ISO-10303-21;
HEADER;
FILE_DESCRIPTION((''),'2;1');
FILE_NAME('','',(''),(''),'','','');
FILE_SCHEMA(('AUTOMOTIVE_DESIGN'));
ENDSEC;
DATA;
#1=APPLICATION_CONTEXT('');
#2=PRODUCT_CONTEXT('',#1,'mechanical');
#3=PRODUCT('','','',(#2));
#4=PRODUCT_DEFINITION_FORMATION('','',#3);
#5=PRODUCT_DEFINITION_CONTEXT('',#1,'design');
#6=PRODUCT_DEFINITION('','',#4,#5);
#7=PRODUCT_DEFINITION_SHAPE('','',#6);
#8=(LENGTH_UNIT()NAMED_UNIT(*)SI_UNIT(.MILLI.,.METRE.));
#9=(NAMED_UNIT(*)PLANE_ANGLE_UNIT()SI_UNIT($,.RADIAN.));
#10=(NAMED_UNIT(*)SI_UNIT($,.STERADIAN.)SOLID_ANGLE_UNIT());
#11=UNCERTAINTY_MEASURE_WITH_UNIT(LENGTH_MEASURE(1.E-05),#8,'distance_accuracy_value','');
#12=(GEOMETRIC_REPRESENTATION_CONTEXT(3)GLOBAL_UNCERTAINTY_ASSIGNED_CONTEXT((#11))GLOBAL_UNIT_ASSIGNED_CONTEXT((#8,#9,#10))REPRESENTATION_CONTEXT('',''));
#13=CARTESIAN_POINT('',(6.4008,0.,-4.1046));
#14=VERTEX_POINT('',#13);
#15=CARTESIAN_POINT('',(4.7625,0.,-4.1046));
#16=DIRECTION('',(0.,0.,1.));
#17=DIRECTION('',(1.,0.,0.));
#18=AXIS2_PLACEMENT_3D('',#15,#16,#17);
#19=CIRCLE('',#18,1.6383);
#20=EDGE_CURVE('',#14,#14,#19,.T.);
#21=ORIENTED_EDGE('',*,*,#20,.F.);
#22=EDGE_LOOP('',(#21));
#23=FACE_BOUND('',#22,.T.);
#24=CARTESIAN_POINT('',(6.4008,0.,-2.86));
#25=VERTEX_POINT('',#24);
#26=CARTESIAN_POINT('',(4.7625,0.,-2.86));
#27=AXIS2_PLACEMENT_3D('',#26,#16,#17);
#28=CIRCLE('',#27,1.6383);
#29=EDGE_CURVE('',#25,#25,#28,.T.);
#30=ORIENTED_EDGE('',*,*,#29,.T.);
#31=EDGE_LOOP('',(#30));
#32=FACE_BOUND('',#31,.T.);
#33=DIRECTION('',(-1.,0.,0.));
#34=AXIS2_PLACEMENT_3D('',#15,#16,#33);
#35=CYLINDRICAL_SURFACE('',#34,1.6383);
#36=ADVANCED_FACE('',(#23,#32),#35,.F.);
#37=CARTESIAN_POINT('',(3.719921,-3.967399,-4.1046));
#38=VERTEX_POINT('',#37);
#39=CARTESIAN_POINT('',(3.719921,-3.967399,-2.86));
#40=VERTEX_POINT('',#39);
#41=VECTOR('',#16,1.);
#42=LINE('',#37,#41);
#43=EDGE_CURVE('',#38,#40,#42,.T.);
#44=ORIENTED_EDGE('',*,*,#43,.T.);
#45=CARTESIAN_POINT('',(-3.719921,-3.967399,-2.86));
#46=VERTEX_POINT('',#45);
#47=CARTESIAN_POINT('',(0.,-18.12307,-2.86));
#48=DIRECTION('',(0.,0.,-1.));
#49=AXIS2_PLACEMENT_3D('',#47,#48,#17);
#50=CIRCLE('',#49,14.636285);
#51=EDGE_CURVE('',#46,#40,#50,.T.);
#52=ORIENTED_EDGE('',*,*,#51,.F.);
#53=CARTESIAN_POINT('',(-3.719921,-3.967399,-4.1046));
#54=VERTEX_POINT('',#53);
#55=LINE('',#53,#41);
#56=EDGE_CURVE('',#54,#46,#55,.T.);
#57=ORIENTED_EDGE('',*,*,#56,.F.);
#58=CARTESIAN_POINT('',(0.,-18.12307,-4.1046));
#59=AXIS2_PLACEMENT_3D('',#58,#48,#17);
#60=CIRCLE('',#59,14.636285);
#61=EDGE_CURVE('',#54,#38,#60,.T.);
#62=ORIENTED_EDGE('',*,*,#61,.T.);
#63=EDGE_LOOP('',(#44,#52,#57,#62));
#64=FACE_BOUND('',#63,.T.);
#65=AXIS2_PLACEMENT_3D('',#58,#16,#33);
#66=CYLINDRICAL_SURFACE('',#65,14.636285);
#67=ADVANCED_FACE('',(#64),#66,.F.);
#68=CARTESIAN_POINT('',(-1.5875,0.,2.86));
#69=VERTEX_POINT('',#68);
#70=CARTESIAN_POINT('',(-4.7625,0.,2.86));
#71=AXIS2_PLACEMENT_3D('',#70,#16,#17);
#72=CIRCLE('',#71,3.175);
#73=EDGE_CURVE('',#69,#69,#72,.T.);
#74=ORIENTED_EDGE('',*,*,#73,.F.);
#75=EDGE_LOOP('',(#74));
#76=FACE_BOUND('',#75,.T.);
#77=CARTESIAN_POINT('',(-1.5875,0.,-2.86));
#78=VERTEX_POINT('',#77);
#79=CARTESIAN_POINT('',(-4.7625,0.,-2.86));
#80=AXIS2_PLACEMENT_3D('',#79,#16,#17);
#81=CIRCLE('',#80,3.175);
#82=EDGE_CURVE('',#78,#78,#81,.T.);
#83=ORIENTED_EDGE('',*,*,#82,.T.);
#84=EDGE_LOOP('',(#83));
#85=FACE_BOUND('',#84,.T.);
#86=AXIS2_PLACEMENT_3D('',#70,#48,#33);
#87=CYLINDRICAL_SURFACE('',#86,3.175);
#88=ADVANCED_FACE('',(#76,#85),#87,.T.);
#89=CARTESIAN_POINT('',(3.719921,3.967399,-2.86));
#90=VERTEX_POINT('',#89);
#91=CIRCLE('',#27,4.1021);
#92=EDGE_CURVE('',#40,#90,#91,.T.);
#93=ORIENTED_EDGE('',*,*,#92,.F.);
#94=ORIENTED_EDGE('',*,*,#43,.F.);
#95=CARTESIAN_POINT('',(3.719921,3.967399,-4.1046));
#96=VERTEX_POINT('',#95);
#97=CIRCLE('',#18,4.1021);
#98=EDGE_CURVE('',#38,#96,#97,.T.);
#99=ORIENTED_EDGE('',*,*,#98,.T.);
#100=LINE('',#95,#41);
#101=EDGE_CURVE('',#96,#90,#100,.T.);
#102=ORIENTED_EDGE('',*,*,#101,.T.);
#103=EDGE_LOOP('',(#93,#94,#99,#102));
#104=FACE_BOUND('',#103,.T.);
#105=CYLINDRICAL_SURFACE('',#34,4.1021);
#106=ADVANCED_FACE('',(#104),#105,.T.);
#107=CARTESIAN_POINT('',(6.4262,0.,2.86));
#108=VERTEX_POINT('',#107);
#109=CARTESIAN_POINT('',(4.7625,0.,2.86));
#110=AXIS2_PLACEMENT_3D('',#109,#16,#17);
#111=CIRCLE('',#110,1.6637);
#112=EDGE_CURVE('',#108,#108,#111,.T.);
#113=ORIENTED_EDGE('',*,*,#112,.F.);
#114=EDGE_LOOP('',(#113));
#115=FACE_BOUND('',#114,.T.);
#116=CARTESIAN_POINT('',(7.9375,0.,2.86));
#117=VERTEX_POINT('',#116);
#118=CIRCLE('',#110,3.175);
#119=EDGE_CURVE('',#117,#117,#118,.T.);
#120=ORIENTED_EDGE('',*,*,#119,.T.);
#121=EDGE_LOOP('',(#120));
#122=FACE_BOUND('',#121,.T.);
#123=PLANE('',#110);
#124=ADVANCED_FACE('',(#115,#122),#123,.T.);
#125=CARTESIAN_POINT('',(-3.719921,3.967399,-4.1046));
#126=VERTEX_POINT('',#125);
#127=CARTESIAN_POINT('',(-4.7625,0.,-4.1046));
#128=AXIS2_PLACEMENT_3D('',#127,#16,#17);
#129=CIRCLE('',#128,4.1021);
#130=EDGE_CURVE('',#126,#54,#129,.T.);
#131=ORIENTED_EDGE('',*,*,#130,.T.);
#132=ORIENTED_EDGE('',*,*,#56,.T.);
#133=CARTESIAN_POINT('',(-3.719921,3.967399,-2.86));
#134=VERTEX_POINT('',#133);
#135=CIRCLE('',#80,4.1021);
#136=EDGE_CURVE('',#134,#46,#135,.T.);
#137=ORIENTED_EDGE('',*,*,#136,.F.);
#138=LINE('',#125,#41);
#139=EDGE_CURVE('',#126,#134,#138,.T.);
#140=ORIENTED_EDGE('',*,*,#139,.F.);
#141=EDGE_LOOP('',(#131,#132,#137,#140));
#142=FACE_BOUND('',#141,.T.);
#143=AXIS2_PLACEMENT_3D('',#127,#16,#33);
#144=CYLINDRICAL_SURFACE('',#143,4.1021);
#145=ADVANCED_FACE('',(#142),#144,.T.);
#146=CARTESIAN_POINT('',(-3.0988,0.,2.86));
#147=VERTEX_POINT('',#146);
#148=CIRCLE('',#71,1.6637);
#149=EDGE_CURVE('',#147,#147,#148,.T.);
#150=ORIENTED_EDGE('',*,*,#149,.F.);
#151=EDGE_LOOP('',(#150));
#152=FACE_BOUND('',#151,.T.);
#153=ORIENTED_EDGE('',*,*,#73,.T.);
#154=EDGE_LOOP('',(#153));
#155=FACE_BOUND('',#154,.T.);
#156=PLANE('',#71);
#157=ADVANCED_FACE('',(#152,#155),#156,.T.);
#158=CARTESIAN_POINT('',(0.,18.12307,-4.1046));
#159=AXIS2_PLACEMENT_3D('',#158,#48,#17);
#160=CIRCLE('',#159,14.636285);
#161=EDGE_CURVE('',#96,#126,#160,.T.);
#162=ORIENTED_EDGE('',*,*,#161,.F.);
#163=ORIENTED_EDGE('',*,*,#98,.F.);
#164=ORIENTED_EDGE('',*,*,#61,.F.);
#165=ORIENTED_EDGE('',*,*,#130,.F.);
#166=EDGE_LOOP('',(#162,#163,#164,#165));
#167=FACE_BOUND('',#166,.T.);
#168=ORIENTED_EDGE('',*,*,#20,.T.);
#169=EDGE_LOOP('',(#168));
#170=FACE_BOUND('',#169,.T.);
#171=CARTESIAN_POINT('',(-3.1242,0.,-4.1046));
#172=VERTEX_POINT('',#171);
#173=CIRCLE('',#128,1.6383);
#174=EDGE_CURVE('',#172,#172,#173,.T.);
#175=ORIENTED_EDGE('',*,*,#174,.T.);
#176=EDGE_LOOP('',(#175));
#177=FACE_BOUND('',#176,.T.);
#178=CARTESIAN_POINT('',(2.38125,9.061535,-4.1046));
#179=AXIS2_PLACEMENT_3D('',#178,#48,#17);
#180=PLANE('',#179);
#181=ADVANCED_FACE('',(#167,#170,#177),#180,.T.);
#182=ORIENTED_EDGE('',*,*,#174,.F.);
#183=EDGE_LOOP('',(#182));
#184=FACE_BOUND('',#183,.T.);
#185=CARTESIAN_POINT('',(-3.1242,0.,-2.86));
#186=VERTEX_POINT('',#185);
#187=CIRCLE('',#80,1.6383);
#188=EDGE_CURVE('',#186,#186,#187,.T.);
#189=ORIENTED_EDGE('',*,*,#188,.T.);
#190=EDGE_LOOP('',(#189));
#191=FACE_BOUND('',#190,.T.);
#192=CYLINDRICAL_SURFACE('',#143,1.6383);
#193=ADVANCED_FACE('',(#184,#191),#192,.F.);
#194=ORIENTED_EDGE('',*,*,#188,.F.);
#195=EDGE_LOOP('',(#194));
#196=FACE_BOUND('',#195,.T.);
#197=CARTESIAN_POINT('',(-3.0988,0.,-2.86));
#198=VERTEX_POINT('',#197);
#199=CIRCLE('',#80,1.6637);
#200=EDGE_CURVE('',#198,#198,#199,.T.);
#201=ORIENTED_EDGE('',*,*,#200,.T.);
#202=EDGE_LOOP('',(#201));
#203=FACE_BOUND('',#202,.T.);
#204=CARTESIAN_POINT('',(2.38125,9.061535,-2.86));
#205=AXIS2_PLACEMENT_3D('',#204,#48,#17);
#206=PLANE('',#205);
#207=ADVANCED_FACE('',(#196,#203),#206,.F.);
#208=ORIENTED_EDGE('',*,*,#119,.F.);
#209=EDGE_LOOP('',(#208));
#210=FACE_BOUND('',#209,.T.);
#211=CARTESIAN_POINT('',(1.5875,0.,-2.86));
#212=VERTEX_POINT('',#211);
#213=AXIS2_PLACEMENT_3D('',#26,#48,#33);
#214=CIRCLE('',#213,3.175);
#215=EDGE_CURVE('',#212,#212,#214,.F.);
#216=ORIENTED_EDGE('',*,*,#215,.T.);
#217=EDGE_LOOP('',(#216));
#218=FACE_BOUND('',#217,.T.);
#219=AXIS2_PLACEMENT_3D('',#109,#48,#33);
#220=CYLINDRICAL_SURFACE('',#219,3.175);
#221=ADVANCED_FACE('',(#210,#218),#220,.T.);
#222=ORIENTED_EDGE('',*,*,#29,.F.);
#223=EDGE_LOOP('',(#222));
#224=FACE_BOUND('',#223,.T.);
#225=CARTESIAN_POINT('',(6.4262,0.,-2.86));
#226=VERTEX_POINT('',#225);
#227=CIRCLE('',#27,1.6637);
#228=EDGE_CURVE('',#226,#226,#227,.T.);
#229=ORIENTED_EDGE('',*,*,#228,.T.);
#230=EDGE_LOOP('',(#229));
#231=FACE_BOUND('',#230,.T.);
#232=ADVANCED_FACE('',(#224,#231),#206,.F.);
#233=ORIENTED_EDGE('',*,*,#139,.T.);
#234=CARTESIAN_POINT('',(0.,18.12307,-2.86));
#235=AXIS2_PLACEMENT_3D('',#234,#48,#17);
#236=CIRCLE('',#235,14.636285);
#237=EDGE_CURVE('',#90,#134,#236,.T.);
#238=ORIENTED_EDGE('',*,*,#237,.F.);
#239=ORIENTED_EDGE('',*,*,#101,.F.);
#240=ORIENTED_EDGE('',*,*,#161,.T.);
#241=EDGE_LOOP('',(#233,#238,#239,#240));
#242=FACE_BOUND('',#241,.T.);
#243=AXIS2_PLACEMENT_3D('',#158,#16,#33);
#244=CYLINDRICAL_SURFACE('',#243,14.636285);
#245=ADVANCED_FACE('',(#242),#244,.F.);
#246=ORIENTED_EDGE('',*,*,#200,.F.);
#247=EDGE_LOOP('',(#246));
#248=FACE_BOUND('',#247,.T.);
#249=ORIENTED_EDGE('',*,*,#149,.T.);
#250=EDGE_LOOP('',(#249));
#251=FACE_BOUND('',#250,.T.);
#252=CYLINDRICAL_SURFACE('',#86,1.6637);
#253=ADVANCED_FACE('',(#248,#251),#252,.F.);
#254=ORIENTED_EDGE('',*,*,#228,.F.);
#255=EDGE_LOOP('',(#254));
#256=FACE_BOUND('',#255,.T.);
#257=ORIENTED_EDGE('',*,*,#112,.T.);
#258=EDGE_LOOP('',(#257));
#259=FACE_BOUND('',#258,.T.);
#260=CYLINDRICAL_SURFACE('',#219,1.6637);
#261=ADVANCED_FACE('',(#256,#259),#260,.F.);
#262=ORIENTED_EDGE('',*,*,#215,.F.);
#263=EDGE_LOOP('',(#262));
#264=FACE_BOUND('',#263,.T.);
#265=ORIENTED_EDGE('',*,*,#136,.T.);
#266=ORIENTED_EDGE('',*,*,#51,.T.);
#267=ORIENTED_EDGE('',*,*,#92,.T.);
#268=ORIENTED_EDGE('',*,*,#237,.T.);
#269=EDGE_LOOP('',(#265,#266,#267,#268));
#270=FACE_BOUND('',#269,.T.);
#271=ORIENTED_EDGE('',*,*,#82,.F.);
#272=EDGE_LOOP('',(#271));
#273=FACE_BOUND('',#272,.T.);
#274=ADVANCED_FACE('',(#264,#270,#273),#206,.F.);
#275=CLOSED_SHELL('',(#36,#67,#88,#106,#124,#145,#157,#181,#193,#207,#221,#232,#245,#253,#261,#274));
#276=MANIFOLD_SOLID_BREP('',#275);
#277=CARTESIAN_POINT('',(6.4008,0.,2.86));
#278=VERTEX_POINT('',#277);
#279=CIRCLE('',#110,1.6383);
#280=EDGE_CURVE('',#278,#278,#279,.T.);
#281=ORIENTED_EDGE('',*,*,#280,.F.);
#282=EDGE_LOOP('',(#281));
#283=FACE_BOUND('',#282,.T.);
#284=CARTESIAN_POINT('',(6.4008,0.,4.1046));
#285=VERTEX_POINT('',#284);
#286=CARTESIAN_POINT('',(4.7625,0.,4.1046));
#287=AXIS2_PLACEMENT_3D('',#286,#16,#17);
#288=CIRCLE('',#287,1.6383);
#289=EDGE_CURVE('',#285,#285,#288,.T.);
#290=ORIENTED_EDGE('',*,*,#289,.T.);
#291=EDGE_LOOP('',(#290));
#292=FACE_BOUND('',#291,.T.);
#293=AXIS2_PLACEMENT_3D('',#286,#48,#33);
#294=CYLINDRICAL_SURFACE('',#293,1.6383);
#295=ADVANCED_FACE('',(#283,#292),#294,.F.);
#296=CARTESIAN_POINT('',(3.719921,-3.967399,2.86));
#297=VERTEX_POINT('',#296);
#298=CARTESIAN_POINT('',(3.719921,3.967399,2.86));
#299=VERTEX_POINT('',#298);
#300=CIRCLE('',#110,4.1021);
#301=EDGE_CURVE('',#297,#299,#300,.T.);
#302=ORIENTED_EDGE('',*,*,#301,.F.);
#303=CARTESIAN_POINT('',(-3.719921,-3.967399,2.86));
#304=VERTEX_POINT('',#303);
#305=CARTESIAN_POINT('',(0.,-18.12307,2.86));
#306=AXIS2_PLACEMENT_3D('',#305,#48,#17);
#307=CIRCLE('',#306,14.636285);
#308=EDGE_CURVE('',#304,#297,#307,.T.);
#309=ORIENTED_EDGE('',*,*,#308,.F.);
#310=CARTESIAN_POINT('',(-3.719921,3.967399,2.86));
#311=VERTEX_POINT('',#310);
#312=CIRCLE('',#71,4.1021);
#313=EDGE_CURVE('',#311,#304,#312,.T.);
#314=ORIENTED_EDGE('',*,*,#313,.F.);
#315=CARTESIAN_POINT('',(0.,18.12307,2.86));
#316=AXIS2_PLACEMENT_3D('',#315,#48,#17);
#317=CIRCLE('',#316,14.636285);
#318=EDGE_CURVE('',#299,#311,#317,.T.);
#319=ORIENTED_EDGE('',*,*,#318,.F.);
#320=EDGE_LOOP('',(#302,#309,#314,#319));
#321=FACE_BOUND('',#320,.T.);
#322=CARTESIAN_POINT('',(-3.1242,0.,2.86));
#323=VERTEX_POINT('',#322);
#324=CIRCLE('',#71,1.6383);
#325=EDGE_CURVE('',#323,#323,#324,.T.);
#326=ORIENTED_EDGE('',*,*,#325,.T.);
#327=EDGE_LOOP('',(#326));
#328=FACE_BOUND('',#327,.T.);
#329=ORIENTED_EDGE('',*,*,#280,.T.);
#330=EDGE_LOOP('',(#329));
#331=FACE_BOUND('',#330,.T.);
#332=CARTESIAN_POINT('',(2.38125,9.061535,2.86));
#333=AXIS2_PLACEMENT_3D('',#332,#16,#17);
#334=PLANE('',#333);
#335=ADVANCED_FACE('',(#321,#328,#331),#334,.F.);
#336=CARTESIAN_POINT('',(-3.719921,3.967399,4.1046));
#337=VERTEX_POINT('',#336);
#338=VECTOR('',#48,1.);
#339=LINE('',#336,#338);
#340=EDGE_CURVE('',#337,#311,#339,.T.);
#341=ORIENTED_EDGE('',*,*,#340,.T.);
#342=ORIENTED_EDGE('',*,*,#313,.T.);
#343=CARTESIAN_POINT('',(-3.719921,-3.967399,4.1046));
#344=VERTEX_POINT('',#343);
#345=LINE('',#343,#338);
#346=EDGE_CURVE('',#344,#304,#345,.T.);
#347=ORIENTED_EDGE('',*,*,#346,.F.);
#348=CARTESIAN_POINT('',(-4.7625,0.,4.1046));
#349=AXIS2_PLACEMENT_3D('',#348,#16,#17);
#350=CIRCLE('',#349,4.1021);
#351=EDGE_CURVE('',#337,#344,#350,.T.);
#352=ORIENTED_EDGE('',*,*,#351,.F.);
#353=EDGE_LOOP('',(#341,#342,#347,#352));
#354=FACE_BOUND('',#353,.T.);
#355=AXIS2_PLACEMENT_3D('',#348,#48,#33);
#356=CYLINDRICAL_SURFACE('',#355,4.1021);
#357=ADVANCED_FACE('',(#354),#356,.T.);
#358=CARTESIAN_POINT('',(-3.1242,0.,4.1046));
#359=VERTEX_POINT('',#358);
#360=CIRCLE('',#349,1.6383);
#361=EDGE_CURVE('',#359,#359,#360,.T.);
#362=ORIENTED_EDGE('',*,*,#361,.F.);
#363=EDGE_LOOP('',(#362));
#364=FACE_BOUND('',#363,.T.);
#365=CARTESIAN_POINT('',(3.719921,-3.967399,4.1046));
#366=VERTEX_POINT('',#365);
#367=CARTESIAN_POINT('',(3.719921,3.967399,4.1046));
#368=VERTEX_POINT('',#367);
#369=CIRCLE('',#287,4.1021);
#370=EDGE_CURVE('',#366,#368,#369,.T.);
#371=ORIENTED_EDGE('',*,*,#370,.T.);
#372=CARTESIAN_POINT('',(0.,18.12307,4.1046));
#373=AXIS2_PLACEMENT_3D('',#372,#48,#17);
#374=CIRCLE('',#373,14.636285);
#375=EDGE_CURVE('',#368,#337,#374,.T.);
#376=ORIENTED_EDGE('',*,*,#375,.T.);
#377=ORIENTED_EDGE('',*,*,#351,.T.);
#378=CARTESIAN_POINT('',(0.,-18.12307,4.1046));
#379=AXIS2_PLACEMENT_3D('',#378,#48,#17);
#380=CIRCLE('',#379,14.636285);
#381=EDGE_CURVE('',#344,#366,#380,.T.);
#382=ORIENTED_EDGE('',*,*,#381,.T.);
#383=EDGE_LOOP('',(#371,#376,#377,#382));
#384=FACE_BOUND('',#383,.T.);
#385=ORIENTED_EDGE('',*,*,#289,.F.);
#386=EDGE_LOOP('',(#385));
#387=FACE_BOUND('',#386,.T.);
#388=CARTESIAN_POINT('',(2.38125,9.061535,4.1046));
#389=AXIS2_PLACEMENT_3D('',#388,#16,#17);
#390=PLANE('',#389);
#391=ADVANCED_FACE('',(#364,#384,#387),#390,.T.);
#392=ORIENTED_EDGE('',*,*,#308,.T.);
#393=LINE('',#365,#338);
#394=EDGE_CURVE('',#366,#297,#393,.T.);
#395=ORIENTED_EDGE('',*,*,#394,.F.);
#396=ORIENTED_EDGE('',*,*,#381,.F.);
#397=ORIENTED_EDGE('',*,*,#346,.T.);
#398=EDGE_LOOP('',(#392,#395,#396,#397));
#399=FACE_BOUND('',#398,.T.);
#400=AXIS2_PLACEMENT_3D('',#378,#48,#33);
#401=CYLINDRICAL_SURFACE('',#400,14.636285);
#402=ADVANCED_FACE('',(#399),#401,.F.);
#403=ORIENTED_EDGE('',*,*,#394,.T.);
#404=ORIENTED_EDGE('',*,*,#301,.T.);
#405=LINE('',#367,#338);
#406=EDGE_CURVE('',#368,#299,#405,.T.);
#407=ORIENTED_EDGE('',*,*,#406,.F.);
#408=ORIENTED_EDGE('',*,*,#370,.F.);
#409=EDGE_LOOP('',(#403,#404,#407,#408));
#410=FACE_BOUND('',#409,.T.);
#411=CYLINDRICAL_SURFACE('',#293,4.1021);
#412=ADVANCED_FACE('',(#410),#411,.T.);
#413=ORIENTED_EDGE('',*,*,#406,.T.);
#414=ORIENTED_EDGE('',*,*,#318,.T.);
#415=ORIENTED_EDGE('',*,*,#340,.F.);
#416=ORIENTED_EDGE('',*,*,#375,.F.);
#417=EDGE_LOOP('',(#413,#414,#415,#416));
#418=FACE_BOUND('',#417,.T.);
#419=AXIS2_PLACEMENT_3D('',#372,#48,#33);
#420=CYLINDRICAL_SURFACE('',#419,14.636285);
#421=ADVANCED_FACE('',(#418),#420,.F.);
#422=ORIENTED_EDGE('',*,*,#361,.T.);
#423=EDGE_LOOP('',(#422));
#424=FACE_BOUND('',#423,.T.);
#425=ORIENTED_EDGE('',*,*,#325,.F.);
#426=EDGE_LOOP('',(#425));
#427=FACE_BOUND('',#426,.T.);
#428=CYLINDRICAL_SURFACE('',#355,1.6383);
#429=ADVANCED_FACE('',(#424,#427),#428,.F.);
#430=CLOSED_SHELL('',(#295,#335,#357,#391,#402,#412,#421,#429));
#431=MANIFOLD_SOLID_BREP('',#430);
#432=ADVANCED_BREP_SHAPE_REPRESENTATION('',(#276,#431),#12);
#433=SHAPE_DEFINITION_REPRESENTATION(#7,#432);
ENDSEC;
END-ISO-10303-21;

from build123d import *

# Parameters (mm, degrees)
SKETCH4_R             = 3.175
SKETCH4_R_2           = 1.6637
BOSS_EXTRUDE1_DEPTH   = 2.86
BOSS_EXTRUDE1_2_DEPTH = 2.86
SKETCH5_R             = 1.6383
BOSS_EXTRUDE2_DEPTH   = 1.2446


with BuildPart() as part:
    # Sketch4 → Boss-Extrude1 (new, symmetric)
    with BuildSketch(Plane.XY):
        with Locations((-4.7625, 0)):
            Circle(SKETCH4_R)
        with Locations((-4.7625, 0)):
            Circle(SKETCH4_R_2, mode=Mode.SUBTRACT)
    extrude(amount=BOSS_EXTRUDE1_DEPTH, both=True)


with BuildPart() as body_2:
    # Sketch4 → Boss-Extrude1 2 (new, symmetric)
    with BuildSketch(Plane.XY):
        with Locations((4.7625, 0)):
            Circle(SKETCH4_R)
        with Locations((4.7625, 0)):
            Circle(SKETCH4_R_2, mode=Mode.SUBTRACT)
    extrude(amount=BOSS_EXTRUDE1_2_DEPTH, both=True)


with BuildPart() as body_3:
    # Sketch5 → Boss-Extrude2 (new body)
    with BuildSketch(Plane.XY.offset(2.86)):
        with BuildLine():
            ThreePointArc((-3.71992076, 3.967398762), (-8.8646, 0), (-3.71992076, -3.967398762))
            ThreePointArc((-3.71992076, -3.967398762), (0, -3.486785), (3.71992076, -3.967398762))
            ThreePointArc((3.71992076, -3.967398762), (8.8646, 0), (3.71992076, 3.967398762))
            ThreePointArc((3.71992076, 3.967398762), (0, 3.486785), (-3.71992076, 3.967398762))
        make_face()
        with Locations((-4.7625, 0)):
            Circle(SKETCH5_R, mode=Mode.SUBTRACT)
        with Locations((4.7625, 0)):
            Circle(SKETCH5_R, mode=Mode.SUBTRACT)
    boss_extrude2 = extrude(amount=BOSS_EXTRUDE2_DEPTH)


with BuildPart() as part_1:
    add(part.part)

    add(body_2.part)  # Mirror2 merges body 2
    # Mirror2: Boss-Extrude2 across plane
    add(boss_extrude2.mirror(Plane.XY))


solid = Compound([body_3.part, part_1.part])
